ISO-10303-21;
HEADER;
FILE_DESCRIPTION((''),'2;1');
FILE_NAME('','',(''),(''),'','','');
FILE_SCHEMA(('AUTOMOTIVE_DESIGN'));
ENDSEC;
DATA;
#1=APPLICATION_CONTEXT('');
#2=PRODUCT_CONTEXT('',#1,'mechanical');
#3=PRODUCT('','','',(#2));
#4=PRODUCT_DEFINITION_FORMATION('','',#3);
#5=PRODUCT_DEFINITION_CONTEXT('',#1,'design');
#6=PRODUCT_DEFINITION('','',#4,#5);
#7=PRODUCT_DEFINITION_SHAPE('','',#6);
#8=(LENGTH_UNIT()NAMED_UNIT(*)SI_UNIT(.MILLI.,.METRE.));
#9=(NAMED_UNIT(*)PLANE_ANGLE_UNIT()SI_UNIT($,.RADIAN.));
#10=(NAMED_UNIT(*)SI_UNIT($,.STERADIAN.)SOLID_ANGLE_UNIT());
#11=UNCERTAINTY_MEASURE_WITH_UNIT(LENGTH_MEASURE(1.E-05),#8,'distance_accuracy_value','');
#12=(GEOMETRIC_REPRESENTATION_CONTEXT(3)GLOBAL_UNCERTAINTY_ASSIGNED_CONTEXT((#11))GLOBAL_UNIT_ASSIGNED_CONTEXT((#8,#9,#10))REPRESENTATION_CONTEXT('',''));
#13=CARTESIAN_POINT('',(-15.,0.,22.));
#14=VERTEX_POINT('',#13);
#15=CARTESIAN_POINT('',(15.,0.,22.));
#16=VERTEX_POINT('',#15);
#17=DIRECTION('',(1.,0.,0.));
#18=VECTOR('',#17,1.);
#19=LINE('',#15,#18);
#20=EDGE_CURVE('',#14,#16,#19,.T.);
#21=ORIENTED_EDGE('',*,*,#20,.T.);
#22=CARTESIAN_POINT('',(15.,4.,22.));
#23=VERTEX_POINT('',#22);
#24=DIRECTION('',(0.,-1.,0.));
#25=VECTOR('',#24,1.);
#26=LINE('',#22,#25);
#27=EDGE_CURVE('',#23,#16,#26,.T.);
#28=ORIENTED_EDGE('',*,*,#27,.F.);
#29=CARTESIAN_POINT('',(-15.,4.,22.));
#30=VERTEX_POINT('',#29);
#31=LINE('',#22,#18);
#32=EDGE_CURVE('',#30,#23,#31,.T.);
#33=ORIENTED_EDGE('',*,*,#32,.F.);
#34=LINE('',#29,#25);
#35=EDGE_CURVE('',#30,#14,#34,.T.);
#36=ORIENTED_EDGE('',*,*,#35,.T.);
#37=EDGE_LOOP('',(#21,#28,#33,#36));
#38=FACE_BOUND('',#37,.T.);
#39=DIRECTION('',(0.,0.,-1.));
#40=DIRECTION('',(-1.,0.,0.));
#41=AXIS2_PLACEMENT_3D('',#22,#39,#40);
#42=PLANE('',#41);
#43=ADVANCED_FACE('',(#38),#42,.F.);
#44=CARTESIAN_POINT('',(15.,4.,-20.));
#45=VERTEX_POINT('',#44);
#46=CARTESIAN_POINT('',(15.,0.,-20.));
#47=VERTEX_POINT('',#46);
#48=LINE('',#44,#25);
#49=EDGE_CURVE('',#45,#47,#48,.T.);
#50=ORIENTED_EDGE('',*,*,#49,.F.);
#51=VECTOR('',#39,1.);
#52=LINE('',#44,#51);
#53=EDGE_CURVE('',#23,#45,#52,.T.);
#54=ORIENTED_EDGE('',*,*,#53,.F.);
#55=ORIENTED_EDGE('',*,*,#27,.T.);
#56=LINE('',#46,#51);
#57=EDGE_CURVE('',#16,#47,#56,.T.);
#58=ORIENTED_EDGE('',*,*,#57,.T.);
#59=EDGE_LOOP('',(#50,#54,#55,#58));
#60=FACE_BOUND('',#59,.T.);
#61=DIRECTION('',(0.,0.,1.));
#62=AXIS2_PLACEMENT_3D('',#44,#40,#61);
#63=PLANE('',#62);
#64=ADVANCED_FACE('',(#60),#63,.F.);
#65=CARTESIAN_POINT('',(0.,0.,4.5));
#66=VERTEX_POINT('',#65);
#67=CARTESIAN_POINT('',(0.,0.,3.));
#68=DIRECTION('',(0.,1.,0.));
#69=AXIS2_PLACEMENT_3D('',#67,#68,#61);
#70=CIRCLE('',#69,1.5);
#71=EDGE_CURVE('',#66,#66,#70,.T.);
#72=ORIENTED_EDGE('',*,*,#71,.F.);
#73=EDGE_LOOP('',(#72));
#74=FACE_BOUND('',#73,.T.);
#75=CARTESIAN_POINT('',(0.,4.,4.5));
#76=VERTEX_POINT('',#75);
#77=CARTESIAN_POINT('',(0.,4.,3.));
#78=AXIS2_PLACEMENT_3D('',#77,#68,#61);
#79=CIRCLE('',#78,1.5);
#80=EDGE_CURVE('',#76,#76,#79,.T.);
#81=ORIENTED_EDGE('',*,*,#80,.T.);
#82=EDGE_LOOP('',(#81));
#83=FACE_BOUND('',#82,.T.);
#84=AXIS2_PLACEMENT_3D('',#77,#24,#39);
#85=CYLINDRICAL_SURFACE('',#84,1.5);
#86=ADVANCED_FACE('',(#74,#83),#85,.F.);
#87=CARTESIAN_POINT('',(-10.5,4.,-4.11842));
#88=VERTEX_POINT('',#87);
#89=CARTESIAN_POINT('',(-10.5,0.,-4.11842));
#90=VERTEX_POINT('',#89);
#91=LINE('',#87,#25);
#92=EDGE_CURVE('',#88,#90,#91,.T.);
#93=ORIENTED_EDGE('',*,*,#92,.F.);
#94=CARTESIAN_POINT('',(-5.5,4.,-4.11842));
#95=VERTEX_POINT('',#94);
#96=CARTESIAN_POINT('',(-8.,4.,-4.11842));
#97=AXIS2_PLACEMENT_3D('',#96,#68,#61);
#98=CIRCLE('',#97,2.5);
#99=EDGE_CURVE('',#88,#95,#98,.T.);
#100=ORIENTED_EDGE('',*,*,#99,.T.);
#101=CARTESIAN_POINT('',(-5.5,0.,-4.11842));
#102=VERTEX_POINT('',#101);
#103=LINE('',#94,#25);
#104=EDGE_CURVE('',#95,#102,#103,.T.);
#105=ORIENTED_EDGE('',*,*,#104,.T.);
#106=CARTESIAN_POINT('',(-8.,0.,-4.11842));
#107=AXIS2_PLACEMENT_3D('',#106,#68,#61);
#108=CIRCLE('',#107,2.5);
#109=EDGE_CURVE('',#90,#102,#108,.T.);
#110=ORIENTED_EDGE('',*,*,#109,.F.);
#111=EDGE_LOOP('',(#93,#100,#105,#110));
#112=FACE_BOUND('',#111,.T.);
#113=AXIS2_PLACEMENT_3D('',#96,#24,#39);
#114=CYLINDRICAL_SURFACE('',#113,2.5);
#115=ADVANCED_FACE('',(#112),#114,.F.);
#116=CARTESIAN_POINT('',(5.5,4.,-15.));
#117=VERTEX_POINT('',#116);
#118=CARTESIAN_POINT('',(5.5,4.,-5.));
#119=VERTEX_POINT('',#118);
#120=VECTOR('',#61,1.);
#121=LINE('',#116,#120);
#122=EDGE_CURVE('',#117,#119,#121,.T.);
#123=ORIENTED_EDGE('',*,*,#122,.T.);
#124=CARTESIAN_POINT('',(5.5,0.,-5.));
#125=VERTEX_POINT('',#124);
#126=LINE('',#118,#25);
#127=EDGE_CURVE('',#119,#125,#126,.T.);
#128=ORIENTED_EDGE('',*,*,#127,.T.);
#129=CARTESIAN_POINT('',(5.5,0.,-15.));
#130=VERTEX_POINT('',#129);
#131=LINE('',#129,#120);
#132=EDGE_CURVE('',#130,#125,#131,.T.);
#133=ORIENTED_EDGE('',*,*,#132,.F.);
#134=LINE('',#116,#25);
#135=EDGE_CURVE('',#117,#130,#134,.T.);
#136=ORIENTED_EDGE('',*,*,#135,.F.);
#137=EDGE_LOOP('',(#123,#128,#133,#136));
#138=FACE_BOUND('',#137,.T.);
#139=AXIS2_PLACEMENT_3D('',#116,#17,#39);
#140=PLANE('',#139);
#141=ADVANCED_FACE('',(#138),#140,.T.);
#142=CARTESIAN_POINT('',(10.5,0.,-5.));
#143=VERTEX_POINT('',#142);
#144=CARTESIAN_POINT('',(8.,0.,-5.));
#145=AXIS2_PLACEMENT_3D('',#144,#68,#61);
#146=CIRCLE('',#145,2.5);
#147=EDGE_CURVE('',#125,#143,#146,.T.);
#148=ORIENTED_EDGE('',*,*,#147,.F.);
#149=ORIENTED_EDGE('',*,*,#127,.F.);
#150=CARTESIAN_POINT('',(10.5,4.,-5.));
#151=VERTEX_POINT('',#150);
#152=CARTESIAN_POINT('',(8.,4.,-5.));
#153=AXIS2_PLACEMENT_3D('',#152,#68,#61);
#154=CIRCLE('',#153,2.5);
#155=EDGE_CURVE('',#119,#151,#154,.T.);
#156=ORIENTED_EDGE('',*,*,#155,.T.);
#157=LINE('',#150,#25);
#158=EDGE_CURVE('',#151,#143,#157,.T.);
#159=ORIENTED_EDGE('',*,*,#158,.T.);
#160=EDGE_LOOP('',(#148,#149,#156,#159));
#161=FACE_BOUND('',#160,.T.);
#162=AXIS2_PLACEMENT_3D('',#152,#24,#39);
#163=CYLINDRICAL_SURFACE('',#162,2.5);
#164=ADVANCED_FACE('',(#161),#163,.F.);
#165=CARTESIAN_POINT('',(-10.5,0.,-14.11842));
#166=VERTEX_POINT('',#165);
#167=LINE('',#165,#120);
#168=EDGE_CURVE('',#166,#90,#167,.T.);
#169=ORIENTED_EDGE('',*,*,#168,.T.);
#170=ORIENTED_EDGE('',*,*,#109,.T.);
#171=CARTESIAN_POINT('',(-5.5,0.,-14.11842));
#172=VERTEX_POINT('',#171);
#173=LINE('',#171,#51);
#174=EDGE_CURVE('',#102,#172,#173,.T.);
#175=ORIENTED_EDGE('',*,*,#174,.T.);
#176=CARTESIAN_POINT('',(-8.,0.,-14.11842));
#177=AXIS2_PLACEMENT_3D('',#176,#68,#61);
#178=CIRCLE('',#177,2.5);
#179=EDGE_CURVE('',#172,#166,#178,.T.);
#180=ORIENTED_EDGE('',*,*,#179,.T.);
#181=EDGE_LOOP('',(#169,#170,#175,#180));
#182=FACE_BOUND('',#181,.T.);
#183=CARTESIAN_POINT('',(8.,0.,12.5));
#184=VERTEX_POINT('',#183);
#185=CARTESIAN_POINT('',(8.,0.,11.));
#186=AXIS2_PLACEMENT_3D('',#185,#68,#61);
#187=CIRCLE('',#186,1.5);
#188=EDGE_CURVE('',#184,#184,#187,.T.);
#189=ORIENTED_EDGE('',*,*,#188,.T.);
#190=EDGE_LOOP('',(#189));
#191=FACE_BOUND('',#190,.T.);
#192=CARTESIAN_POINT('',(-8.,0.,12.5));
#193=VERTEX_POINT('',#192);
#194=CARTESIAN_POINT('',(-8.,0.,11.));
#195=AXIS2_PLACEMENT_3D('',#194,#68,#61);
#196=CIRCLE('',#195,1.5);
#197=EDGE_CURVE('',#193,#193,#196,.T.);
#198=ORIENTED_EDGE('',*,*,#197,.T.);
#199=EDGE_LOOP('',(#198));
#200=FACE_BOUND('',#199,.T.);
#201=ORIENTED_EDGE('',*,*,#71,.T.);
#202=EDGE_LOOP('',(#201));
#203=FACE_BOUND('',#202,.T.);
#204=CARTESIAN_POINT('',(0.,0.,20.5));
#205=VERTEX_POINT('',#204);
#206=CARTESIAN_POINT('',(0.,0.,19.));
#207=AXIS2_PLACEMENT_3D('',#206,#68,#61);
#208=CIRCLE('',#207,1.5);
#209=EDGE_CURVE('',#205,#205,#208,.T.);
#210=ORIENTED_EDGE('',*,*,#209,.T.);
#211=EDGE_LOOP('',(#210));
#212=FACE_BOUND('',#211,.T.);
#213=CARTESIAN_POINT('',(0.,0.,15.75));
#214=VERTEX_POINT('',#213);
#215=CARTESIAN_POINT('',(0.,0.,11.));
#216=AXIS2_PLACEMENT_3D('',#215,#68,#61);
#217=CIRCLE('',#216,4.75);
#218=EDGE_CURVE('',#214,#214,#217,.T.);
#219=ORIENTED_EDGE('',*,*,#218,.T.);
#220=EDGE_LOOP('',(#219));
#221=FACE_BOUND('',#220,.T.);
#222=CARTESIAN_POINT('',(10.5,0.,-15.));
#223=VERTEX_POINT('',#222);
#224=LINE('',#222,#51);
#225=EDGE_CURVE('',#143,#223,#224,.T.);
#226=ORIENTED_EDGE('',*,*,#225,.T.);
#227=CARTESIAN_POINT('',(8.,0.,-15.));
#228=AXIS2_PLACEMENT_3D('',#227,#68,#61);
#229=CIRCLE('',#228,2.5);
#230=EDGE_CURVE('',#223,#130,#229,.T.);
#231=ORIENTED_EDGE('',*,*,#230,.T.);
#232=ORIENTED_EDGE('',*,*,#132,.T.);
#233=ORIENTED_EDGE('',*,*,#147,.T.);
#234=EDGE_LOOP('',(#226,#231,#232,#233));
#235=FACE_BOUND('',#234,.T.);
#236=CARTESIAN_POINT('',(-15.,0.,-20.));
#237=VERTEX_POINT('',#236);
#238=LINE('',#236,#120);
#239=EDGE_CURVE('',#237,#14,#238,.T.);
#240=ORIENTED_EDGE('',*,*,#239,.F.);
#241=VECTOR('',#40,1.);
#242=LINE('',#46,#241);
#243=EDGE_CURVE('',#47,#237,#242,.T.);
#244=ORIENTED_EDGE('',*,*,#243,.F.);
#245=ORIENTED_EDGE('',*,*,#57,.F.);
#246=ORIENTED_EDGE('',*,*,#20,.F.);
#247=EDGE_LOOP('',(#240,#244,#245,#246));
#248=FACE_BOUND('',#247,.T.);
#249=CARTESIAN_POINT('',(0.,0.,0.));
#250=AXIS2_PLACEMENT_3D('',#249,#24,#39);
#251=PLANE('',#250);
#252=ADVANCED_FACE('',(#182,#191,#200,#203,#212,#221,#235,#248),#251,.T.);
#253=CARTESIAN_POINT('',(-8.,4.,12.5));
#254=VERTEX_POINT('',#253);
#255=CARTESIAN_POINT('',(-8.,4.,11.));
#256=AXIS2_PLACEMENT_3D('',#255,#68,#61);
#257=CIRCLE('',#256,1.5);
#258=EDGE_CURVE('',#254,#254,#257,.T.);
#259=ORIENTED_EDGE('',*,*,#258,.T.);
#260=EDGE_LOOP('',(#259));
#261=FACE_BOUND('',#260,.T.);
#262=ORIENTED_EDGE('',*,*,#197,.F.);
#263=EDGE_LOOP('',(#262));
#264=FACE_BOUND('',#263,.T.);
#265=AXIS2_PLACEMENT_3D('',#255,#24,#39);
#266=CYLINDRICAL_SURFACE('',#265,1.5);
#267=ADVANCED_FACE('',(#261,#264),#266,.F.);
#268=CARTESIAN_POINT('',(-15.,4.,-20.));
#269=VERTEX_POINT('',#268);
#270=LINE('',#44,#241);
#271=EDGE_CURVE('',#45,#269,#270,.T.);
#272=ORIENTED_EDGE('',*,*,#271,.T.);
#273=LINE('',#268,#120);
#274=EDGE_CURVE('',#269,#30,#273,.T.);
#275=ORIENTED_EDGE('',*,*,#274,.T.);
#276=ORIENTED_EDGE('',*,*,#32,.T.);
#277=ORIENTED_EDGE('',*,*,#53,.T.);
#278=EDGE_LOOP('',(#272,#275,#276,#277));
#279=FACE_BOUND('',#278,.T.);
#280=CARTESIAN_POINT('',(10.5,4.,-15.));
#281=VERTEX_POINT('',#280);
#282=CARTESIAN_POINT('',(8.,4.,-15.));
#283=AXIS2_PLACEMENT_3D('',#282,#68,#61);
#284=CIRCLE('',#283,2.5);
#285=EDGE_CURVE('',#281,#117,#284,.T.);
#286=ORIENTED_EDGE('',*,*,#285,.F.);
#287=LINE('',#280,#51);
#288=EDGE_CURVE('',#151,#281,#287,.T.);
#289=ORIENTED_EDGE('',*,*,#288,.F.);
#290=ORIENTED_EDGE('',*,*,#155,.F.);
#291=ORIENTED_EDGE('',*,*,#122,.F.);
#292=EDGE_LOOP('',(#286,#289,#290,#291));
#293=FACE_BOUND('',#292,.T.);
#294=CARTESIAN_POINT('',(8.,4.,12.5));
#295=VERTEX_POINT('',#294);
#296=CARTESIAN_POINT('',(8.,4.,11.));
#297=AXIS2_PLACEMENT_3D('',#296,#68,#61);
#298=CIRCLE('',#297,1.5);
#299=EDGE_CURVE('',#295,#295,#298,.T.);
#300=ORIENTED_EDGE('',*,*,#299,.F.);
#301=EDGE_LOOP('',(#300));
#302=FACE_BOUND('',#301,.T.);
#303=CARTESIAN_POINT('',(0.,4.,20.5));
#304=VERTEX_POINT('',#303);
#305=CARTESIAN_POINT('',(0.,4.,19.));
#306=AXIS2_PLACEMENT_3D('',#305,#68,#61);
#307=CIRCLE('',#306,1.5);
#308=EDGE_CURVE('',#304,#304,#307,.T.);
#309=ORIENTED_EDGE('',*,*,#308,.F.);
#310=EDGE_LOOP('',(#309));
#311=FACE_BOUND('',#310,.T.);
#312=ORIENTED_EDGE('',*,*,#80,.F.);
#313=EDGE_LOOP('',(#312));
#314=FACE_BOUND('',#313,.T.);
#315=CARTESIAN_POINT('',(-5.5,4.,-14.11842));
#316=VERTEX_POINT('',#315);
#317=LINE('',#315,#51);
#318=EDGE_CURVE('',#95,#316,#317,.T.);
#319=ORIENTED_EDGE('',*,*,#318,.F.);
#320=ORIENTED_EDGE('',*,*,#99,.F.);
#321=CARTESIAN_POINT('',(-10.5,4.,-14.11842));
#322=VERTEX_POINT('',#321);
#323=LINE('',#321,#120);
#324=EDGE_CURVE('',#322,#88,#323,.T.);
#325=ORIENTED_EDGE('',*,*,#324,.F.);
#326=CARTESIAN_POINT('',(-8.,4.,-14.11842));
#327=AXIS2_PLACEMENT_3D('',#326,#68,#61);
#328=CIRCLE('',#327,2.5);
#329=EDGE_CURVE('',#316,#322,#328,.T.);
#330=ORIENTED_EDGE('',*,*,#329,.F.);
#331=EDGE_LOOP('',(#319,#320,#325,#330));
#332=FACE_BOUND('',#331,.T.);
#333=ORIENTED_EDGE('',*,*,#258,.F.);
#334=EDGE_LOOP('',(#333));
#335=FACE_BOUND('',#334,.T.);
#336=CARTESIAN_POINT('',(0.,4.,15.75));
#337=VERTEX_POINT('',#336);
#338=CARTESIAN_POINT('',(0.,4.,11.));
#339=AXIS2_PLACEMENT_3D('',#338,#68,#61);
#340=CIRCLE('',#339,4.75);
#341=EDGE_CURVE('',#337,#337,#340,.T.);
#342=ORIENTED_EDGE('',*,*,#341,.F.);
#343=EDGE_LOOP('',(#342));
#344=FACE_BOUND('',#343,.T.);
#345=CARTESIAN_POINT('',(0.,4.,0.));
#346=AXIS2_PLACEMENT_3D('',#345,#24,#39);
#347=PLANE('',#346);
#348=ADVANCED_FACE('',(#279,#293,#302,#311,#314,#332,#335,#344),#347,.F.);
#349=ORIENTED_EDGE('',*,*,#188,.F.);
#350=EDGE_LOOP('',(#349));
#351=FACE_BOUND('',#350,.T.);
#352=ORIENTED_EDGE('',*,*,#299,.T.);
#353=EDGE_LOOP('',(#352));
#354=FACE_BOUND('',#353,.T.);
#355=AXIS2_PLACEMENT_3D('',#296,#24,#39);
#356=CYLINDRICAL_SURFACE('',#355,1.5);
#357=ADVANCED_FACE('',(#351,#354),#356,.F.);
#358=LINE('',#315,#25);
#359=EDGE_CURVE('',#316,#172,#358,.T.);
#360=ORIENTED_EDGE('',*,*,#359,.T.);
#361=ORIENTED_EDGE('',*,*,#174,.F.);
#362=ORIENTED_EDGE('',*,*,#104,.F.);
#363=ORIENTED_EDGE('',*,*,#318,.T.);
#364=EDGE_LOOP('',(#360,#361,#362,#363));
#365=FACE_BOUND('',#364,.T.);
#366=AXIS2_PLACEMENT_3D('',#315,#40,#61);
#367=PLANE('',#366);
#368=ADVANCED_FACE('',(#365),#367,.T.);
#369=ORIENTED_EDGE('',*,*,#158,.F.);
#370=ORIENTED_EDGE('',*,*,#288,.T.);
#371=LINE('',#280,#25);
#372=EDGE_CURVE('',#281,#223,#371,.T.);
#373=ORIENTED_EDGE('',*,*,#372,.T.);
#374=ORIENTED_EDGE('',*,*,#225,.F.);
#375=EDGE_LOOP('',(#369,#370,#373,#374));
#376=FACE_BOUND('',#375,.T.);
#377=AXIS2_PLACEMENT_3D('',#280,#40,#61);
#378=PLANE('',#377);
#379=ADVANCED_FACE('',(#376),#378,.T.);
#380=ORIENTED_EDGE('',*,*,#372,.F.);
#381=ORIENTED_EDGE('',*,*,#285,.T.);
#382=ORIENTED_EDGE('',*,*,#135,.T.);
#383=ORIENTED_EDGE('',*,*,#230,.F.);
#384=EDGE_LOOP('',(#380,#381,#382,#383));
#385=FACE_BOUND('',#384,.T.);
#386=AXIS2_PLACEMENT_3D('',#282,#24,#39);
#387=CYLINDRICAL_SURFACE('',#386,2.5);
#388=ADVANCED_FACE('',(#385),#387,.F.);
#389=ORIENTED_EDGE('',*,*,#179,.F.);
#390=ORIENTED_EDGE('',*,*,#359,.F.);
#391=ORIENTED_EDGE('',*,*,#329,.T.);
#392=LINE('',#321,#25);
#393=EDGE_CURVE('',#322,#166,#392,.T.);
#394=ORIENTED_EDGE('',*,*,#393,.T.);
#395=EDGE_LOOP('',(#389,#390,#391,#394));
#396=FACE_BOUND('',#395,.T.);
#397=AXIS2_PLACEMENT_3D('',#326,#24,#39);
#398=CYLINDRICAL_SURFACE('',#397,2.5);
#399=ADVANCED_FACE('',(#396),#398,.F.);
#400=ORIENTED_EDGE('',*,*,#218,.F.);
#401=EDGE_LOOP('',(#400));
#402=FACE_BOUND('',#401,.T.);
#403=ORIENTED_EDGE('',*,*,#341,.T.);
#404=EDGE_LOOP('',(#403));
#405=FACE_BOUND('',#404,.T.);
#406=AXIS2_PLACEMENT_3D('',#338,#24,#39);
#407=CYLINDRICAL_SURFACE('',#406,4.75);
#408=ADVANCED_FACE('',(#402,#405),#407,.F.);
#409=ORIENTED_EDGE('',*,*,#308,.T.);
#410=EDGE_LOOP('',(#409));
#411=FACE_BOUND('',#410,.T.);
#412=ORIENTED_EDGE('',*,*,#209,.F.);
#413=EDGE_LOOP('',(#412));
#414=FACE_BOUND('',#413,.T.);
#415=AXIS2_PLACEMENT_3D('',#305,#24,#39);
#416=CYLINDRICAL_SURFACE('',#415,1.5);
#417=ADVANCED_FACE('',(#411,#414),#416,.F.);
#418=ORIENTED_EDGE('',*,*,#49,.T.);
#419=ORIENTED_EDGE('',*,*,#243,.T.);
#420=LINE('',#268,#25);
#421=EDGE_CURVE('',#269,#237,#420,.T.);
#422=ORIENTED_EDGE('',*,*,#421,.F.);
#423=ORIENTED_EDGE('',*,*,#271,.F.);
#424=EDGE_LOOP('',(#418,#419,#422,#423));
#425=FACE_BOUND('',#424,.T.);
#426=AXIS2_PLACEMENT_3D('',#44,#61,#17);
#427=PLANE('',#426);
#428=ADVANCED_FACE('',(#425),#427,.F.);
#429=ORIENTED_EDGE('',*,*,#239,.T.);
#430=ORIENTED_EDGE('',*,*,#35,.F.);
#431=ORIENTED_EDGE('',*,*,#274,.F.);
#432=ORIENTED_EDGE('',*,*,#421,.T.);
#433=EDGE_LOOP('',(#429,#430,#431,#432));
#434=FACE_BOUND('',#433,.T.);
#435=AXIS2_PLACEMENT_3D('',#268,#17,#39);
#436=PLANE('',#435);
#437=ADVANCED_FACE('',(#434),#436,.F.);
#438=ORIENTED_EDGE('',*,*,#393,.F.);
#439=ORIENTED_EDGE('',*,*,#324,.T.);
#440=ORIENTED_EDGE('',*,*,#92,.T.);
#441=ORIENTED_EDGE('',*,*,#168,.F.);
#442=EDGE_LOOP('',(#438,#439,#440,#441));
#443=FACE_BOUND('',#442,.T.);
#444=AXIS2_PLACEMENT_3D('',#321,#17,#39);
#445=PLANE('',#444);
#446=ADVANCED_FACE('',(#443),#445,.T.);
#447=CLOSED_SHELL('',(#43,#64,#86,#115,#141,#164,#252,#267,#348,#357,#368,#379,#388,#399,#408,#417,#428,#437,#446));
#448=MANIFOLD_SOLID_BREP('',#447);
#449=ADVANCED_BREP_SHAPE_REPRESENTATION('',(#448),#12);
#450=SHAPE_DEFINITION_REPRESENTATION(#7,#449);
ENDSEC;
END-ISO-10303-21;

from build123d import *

# Parameters (mm, degrees)
SKETCH_1_W      = 30
SKETCH_1_H      = 42
SKETCH_1_R      = 4.75
SKETCH_1_R_2    = 1.5
EXTRUDE_1_DEPTH = 4


with BuildPart() as part:
    # 草图1 → 凸台-拉伸1 (new body)
    with BuildSketch(Plane(origin=(0, 0, 0), x_dir=(1, 0, 0), z_dir=(0, 1, 0))):
        with Locations((0, -1)):
            Rectangle(SKETCH_1_W, SKETCH_1_H)
        with Locations(Location((0, -11, 0), (0, 0, 270))):
            Circle(SKETCH_1_R, mode=Mode.SUBTRACT)
        with Locations(Location((0, -3, 0), (0, 0, 270))):
            Circle(SKETCH_1_R_2, mode=Mode.SUBTRACT)
        with Locations(Location((8, -11, 0), (0, 0, 270))):
            Circle(SKETCH_1_R_2, mode=Mode.SUBTRACT)
        with Locations(Location((0, -19, 0), (0, 0, 270))):
            Circle(SKETCH_1_R_2, mode=Mode.SUBTRACT)
        with Locations(Location((-8, -11, 0), (0, 0, 270))):
            Circle(SKETCH_1_R_2, mode=Mode.SUBTRACT)
        with BuildLine():
            Line((-10.5, 14.11842029), (-10.5, 4.11842029))
            ThreePointArc((-10.5, 4.11842029), (-8, 1.61842029), (-5.5, 4.11842029))
            Line((-5.5, 4.11842029), (-5.5, 14.11842029))
            ThreePointArc((-5.5, 14.11842029), (-8, 16.61842029), (-10.5, 14.11842029))
        make_face(mode=Mode.SUBTRACT)
        with BuildLine():
            Line((5.5, 15), (5.5, 5))
            ThreePointArc((5.5, 5), (8, 2.5), (10.5, 5))
            Line((10.5, 5), (10.5, 15))
            ThreePointArc((10.5, 15), (8, 17.5), (5.5, 15))
        make_face(mode=Mode.SUBTRACT)
    extrude(amount=EXTRUDE_1_DEPTH)


solid = part.part
